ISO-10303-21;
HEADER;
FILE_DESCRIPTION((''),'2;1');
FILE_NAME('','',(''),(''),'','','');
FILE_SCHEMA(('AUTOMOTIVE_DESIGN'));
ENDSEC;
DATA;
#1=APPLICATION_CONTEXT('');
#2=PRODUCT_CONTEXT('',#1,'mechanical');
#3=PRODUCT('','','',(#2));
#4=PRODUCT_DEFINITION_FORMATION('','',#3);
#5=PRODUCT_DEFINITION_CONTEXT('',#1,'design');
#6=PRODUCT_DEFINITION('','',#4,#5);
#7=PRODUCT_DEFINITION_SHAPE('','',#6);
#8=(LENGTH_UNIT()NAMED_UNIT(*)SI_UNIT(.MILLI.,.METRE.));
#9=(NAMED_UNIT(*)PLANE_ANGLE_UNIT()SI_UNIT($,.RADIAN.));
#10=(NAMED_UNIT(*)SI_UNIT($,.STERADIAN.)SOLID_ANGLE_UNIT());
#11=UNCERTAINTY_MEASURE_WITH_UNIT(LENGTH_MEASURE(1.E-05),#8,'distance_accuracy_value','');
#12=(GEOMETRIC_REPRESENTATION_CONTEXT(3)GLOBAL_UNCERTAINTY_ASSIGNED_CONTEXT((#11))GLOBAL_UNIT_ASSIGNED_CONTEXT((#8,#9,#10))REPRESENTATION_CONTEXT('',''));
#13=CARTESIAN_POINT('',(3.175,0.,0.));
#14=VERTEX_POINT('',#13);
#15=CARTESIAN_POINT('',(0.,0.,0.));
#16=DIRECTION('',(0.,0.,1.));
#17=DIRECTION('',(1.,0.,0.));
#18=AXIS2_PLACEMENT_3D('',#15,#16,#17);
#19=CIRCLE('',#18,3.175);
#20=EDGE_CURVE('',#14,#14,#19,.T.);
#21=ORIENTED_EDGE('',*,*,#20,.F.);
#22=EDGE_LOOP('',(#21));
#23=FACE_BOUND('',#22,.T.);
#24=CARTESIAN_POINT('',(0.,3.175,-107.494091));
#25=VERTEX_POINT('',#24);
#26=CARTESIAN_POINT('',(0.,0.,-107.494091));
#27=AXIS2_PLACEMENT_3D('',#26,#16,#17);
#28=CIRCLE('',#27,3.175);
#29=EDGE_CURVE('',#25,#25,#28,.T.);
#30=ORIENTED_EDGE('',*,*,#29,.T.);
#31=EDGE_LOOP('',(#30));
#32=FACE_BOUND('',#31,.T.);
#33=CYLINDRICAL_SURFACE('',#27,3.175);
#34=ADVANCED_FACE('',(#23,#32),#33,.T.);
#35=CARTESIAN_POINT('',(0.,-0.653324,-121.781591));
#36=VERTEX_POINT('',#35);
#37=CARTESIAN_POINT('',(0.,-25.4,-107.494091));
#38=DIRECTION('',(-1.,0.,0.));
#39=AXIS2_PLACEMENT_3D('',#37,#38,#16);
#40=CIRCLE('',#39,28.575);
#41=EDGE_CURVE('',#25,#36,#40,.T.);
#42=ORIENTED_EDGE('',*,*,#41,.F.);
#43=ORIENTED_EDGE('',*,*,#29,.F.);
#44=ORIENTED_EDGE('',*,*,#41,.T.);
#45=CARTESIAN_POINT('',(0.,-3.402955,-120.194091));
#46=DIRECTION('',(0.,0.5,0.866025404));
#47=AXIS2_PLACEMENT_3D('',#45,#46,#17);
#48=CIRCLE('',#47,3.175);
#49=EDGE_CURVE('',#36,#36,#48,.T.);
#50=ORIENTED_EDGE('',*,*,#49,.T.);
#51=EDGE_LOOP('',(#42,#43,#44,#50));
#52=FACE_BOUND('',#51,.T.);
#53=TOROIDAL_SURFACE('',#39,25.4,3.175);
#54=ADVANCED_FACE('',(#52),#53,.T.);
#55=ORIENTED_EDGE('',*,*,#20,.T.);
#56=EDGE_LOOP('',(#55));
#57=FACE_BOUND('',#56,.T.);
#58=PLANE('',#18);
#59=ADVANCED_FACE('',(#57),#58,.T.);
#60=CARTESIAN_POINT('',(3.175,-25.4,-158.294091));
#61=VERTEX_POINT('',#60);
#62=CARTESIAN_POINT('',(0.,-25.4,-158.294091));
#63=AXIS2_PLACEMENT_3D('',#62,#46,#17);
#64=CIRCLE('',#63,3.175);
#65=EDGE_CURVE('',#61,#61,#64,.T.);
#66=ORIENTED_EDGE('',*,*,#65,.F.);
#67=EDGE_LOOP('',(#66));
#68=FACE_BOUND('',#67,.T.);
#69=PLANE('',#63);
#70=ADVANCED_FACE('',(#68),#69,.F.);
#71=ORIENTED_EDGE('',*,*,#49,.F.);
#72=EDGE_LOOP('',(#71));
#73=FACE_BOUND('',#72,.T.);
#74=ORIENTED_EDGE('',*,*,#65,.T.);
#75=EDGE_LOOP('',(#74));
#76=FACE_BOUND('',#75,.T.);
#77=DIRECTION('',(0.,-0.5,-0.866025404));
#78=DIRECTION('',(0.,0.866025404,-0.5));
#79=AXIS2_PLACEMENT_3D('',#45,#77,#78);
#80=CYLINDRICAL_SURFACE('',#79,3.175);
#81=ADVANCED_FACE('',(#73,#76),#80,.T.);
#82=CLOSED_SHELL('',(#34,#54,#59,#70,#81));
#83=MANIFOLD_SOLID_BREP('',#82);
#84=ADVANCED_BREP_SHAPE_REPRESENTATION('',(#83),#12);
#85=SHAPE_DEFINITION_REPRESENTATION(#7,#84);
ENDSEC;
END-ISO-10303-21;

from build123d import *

# Parameters (mm, degrees)
SKETCH2_R = 3.175


with BuildPart() as part:
    # Sweep1: sweep along a path in Sketch4
    with BuildLine(Plane(origin=(0, 0, 0), x_dir=(0, 0, -1), z_dir=(1, 0, 0))) as sweep1_path:
        Line((0, 0), (107.494090512, 0))
        ThreePointArc((107.494090512, 0), (114.068094258, -0.865484012), (120.194090512, -3.402954744))
        Line((120.194090512, -3.402954744), (158.294090512, -25.4))
    # Sketch2 → Sweep1 (sweep)
    with BuildSketch(Plane.XY):
        Circle(SKETCH2_R)
    sweep(path=sweep1_path.line)


solid = part.part
